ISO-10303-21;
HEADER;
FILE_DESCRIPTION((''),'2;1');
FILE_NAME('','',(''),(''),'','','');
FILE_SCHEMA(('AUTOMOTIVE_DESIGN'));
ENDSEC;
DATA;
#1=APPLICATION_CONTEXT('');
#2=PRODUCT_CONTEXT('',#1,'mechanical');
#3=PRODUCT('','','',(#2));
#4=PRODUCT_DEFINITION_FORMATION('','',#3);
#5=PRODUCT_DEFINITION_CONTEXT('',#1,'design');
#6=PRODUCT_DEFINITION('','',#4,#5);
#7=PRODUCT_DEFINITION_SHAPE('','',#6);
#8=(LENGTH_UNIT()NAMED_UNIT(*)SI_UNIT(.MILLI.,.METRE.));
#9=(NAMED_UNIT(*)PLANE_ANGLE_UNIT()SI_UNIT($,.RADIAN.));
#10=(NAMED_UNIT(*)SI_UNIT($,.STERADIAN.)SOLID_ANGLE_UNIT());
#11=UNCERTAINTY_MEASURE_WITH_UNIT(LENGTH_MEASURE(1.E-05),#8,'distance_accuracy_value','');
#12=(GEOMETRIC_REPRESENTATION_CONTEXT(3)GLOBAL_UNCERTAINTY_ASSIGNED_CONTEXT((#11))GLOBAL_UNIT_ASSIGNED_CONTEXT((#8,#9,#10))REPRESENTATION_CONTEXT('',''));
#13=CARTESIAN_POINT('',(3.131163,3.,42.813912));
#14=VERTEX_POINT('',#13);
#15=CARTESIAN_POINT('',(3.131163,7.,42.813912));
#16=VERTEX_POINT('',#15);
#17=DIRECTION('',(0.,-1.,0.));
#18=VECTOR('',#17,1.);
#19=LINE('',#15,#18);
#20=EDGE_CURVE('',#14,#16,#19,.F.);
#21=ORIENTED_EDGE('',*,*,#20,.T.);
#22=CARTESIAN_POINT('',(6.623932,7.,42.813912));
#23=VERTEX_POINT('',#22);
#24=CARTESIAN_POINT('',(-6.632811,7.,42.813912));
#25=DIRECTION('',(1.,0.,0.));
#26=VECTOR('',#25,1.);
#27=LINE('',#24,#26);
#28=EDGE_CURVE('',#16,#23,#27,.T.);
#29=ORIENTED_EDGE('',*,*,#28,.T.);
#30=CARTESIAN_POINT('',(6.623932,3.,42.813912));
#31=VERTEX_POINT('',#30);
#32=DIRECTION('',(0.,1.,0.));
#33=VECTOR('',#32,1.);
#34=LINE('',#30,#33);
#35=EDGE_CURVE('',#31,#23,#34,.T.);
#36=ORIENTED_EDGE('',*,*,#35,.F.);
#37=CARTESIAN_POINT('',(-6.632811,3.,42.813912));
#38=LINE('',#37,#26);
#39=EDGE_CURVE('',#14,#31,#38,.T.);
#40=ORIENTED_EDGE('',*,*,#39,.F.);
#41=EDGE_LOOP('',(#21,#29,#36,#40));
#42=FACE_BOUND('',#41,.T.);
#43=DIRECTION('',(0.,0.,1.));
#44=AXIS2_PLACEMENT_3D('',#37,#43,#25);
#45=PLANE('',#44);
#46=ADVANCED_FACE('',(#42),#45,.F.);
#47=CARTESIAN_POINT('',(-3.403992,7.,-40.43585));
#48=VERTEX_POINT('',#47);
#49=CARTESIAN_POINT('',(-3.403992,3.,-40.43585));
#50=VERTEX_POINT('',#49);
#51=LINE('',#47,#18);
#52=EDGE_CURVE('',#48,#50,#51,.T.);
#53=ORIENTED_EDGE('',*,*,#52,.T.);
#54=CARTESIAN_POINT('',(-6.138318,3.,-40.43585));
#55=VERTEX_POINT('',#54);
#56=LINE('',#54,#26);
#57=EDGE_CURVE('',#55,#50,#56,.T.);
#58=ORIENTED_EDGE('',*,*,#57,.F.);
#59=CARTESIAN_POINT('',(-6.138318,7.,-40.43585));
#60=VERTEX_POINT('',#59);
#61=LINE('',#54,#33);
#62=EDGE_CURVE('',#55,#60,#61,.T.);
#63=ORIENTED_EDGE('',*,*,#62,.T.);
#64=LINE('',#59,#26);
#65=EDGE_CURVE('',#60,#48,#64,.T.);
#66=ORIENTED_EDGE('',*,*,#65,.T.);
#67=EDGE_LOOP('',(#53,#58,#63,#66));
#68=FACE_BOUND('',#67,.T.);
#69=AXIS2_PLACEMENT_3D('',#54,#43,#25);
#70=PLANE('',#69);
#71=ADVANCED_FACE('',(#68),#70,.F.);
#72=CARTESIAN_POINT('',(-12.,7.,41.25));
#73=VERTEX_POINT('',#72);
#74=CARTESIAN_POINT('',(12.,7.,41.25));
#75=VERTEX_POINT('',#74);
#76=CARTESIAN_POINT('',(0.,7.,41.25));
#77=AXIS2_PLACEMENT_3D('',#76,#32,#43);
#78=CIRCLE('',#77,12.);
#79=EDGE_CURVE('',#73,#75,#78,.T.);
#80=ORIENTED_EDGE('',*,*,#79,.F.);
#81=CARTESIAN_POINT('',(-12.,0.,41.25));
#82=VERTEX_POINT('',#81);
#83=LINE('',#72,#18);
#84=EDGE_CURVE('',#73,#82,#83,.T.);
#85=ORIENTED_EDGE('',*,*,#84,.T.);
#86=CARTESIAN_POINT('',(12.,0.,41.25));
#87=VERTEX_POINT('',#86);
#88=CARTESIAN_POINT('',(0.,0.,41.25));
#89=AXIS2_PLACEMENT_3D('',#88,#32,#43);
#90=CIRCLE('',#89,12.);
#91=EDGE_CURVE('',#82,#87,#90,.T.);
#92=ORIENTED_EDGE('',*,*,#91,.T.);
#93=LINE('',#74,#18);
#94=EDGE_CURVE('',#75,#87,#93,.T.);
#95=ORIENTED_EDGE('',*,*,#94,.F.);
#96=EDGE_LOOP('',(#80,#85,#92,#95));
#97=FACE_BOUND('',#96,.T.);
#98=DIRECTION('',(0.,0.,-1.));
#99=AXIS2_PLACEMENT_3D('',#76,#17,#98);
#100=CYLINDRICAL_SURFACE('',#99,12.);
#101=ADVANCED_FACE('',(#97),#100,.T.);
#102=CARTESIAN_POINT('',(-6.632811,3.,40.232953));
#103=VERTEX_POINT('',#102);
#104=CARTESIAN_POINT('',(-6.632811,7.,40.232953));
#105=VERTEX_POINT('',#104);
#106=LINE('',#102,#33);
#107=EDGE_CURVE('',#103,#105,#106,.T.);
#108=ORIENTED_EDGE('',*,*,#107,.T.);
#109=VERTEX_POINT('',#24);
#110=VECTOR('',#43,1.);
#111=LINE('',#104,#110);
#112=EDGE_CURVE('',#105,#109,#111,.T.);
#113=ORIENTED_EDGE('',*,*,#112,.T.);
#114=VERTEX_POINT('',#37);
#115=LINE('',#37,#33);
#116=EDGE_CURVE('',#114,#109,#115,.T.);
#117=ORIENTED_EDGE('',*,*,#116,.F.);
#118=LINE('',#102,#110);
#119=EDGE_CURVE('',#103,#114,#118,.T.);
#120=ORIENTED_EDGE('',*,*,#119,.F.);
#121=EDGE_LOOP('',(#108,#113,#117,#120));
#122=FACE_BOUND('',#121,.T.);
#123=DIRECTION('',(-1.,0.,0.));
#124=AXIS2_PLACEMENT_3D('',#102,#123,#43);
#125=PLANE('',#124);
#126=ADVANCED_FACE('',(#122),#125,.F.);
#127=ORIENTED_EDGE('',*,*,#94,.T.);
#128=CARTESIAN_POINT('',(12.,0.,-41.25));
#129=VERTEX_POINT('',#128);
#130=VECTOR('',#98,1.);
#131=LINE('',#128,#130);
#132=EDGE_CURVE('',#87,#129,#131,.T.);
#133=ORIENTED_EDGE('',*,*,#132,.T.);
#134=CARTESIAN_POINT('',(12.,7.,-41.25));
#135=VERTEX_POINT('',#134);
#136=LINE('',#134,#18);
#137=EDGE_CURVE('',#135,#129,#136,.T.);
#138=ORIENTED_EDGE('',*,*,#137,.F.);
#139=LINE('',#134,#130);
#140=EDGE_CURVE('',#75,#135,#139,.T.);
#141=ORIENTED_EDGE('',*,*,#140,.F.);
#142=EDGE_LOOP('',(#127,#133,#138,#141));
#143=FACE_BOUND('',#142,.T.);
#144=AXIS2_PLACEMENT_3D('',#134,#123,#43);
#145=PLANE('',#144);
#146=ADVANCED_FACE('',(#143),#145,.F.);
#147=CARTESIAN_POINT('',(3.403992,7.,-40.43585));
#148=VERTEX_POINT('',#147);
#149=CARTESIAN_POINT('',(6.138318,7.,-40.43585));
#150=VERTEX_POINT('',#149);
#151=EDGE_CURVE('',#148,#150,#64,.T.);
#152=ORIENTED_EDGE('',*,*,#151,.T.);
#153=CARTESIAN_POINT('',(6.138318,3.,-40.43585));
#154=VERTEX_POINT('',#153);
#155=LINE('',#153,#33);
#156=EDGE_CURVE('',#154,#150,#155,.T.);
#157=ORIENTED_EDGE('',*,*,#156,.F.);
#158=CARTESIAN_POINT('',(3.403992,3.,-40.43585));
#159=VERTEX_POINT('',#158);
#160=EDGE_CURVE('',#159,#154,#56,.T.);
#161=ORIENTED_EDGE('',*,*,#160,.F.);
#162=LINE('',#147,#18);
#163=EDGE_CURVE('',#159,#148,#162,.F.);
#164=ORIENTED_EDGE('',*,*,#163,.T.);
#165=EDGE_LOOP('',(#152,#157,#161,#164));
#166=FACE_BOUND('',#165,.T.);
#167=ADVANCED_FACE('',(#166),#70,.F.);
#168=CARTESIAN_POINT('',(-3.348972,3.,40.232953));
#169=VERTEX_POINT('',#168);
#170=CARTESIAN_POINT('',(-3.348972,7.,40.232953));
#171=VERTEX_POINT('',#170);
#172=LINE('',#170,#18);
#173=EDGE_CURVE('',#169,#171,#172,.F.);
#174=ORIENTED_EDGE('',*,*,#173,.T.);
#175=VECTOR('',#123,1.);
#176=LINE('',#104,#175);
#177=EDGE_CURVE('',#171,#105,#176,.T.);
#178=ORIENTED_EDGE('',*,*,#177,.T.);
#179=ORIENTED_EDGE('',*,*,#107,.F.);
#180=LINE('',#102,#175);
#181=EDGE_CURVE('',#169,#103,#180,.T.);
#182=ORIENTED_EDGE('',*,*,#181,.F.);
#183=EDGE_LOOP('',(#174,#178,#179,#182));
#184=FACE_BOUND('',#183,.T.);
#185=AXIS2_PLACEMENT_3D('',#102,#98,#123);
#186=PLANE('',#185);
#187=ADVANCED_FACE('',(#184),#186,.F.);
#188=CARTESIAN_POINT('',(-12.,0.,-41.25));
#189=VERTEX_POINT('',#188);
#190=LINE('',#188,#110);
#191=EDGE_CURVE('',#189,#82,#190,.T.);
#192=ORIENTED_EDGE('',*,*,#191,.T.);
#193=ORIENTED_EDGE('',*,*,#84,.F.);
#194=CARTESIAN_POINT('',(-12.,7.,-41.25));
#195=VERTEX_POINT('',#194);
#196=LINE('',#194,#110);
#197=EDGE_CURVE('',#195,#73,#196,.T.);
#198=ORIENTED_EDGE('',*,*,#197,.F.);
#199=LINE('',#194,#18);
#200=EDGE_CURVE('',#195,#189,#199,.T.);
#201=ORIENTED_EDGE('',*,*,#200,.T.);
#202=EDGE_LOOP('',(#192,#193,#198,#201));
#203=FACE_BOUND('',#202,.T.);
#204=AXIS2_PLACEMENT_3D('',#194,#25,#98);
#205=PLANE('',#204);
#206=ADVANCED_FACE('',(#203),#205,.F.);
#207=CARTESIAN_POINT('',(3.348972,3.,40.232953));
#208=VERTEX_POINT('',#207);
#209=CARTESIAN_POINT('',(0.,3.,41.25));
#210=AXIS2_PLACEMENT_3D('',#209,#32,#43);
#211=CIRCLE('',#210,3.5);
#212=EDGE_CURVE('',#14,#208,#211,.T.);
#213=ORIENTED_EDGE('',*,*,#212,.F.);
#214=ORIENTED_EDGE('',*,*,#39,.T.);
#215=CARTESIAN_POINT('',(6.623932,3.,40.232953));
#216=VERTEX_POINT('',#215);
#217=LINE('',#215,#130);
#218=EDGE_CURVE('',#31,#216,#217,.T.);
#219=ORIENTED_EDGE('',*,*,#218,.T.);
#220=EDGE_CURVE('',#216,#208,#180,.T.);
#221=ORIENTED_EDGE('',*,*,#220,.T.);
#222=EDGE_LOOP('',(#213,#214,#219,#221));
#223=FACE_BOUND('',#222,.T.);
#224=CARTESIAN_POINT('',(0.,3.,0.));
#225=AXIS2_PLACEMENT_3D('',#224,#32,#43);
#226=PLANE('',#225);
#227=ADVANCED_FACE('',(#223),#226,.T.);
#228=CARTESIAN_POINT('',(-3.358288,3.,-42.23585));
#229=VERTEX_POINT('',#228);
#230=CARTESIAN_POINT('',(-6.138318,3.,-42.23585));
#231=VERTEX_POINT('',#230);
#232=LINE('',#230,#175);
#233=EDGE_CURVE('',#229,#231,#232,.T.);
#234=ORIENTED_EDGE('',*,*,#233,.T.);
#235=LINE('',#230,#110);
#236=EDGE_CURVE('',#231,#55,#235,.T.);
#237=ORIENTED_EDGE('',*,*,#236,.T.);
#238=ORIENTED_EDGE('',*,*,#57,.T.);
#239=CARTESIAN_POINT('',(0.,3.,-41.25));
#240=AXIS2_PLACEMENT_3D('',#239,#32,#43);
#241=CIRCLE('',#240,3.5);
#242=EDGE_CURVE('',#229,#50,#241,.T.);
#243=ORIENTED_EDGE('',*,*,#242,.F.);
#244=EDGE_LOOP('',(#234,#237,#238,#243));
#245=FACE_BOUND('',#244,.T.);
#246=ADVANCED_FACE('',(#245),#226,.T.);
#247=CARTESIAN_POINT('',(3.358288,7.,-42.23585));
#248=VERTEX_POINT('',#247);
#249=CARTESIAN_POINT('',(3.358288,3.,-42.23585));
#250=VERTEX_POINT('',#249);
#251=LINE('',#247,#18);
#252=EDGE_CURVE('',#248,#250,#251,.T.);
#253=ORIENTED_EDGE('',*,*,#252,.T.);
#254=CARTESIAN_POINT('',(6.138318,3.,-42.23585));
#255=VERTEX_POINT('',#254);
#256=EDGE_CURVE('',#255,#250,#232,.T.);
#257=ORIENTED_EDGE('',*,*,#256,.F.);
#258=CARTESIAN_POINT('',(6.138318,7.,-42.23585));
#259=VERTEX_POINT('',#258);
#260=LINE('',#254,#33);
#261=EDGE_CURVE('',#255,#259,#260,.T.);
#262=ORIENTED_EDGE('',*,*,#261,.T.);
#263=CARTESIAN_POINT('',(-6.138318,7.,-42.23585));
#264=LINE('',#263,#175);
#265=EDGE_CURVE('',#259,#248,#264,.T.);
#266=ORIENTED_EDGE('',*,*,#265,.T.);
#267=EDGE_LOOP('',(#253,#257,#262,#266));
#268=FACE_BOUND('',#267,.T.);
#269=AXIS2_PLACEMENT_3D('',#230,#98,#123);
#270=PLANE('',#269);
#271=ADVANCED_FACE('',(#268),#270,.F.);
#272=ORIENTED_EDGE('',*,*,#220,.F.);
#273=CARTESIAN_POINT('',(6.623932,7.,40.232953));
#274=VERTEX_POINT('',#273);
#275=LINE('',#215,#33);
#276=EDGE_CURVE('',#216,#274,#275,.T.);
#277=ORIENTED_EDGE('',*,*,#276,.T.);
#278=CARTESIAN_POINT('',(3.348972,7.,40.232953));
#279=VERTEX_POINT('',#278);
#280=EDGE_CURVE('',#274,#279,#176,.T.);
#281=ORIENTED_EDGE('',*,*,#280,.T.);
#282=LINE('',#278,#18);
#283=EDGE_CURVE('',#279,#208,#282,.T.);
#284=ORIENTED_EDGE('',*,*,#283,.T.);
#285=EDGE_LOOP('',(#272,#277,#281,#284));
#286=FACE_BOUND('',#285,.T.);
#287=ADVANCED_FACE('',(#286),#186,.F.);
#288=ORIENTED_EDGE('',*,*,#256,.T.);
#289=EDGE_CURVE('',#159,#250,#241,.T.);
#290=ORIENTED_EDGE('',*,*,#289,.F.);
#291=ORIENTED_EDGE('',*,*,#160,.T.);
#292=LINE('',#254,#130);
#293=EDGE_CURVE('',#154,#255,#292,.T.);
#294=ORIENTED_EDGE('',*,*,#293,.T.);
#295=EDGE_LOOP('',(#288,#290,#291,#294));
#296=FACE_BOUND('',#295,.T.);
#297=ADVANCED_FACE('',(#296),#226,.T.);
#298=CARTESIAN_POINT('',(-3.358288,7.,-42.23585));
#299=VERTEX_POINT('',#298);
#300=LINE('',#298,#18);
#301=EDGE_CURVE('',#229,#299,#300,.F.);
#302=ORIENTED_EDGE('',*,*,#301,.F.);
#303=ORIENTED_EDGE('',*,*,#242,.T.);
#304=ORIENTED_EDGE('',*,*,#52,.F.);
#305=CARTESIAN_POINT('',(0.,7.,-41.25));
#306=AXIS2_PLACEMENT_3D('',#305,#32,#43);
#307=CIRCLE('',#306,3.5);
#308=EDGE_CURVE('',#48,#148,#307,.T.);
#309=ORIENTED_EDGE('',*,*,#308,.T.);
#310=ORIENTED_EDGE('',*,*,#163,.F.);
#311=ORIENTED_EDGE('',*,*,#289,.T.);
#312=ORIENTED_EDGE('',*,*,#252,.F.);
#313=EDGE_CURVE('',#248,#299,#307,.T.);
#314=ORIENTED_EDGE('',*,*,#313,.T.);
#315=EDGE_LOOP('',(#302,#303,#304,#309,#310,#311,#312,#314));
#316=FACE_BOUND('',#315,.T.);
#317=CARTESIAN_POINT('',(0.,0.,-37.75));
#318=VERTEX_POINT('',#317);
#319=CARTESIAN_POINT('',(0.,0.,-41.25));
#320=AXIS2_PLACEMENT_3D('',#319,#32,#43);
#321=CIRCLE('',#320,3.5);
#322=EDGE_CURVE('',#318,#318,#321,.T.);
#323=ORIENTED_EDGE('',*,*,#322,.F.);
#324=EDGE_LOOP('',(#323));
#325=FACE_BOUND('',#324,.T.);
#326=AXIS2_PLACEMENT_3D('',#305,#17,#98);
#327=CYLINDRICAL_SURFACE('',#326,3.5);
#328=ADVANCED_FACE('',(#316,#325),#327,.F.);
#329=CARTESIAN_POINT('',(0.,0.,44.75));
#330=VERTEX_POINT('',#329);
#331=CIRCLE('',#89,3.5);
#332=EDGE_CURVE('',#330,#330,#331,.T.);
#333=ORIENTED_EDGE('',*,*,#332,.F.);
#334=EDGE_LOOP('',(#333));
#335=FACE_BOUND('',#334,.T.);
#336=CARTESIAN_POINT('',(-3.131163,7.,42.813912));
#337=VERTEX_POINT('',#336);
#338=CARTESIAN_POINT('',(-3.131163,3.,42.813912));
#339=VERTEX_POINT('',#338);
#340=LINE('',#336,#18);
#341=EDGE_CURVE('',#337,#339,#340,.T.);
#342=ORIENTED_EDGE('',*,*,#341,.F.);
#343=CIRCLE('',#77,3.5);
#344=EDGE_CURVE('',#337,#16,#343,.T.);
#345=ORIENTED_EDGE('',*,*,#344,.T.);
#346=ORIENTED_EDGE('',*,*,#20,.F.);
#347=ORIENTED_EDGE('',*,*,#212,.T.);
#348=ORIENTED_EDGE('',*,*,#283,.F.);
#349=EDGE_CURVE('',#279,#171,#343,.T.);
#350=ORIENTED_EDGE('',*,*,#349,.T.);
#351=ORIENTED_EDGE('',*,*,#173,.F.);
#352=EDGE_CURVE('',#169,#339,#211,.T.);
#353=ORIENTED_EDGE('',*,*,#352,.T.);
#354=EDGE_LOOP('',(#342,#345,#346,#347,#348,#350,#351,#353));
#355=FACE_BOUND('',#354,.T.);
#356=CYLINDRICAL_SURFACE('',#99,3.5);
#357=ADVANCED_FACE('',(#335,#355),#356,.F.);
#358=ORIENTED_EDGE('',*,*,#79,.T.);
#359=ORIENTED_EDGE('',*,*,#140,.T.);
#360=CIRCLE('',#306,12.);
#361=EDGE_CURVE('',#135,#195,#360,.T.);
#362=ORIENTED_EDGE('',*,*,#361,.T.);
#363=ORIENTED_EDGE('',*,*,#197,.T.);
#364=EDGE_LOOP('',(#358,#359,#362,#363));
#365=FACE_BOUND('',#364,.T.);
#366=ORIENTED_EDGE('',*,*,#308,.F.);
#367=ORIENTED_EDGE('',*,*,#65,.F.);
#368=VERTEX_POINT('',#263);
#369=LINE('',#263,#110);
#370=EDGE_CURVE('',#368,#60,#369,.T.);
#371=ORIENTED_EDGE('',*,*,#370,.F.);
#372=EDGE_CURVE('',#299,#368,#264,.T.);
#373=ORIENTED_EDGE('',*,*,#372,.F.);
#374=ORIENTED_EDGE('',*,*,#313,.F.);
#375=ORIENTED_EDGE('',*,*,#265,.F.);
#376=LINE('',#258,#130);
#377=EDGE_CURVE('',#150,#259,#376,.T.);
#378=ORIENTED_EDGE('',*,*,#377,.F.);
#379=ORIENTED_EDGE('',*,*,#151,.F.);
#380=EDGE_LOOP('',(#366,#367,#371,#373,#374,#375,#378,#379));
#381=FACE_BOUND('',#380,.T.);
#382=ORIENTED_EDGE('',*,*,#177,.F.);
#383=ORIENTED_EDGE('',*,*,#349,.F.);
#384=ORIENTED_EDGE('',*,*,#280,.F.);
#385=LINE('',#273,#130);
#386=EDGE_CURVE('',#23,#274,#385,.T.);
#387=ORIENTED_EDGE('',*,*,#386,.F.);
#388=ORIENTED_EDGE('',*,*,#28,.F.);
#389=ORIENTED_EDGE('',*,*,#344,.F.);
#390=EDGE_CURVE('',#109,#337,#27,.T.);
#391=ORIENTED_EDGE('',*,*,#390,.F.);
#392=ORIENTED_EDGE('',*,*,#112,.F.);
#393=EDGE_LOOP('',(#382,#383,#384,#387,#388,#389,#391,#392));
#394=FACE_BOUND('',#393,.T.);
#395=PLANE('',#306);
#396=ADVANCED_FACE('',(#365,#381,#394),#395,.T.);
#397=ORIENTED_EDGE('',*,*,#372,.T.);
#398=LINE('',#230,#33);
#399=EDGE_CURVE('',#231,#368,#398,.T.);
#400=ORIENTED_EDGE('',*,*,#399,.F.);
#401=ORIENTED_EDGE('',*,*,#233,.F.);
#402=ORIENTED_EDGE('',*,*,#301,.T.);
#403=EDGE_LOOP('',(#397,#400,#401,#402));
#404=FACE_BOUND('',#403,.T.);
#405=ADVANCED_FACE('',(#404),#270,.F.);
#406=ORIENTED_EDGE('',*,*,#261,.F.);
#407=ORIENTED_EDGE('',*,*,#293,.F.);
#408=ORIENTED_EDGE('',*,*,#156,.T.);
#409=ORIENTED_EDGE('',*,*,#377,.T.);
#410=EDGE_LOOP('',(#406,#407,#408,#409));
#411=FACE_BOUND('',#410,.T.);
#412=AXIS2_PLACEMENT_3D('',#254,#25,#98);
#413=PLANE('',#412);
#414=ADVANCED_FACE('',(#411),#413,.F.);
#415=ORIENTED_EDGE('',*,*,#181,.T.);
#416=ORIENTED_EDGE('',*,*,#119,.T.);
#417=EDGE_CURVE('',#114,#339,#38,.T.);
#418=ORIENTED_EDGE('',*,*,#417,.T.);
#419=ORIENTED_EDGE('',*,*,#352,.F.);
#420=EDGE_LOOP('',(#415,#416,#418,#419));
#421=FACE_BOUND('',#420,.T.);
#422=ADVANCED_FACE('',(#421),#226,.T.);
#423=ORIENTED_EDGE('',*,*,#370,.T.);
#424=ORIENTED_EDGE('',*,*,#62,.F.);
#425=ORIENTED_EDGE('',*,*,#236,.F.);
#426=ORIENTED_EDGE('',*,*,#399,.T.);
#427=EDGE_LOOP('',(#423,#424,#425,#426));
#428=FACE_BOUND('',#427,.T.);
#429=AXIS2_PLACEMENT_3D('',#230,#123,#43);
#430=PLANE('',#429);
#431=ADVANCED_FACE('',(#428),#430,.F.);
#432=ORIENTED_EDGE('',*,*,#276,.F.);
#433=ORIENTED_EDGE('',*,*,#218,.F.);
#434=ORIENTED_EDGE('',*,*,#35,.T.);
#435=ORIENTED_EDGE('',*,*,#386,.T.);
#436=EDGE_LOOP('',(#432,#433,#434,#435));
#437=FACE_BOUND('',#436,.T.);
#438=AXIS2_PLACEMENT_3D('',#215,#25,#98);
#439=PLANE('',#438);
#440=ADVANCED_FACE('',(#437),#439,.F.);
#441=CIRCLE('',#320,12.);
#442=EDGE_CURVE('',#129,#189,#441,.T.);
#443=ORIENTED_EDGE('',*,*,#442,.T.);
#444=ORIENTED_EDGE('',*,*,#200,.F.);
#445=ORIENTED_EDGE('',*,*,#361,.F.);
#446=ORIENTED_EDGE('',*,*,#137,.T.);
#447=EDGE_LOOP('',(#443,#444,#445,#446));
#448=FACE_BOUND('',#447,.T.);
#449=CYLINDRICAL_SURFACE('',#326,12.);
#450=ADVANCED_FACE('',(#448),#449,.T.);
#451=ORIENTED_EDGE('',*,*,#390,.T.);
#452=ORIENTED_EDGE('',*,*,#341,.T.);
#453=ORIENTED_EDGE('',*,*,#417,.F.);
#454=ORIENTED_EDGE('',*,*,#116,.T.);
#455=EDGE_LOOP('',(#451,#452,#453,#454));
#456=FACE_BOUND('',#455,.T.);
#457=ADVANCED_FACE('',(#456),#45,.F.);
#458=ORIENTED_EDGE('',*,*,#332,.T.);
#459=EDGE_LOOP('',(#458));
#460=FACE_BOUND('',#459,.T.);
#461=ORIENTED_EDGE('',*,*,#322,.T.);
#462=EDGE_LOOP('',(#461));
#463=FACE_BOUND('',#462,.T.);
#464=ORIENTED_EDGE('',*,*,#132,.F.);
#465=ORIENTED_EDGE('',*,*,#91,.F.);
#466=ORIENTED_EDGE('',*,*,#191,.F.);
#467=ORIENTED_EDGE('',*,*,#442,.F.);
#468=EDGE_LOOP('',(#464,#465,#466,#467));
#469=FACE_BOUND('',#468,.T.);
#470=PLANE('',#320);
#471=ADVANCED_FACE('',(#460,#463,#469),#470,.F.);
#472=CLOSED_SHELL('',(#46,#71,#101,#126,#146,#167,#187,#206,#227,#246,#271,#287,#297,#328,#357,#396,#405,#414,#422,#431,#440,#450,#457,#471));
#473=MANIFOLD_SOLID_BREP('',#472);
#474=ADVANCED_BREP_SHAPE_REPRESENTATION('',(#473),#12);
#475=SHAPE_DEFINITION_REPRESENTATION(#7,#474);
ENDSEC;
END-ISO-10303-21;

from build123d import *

# Parameters (mm, degrees)
SKETCH1_R           = 3.5
BOSS_EXTRUDE1_DEPTH = 7
SKETCH2_W           = 13.256743243
SKETCH2_H           = 2.580958861
SKETCH2_W_2         = 12.276635078
SKETCH2_H_2         = 1.8
CUT_EXTRUDE1_DEPTH  = 4


with BuildPart() as part:
    # Sketch1 → Boss-Extrude1 (new body)
    with BuildSketch(Plane(origin=(0, 0, 0), x_dir=(1, 0, 0), z_dir=(0, 1, 0))):
        with BuildLine():
            Line((-12, 41.25), (-12, -41.25))
            ThreePointArc((-12, -41.25), (0, -53.25), (12, -41.25))
            Line((12, -41.25), (12, 41.25))
            ThreePointArc((12, 41.25), (0, 53.25), (-12, 41.25))
        make_face()
        with Locations(Location((0, 41.25, 0), (0, 0, 270))):
            Circle(SKETCH1_R, mode=Mode.SUBTRACT)
        with Locations(Location((0, -41.25, 0), (0, 0, 270))):
            Circle(SKETCH1_R, mode=Mode.SUBTRACT)
    extrude(amount=BOSS_EXTRUDE1_DEPTH)

    # Sketch2 → Cut-Extrude1 (cut)
    with BuildSketch(Plane(origin=(0, 7, 0), x_dir=(1, 0, 0), z_dir=(0, 1, 0))):
        with Locations((-0.004439632, -41.523432512)):
            Rectangle(SKETCH2_W, SKETCH2_H)
        with Locations((0, 41.335850456)):
            Rectangle(SKETCH2_W_2, SKETCH2_H_2)
    extrude(amount=-CUT_EXTRUDE1_DEPTH, mode=Mode.SUBTRACT)


solid = part.part
